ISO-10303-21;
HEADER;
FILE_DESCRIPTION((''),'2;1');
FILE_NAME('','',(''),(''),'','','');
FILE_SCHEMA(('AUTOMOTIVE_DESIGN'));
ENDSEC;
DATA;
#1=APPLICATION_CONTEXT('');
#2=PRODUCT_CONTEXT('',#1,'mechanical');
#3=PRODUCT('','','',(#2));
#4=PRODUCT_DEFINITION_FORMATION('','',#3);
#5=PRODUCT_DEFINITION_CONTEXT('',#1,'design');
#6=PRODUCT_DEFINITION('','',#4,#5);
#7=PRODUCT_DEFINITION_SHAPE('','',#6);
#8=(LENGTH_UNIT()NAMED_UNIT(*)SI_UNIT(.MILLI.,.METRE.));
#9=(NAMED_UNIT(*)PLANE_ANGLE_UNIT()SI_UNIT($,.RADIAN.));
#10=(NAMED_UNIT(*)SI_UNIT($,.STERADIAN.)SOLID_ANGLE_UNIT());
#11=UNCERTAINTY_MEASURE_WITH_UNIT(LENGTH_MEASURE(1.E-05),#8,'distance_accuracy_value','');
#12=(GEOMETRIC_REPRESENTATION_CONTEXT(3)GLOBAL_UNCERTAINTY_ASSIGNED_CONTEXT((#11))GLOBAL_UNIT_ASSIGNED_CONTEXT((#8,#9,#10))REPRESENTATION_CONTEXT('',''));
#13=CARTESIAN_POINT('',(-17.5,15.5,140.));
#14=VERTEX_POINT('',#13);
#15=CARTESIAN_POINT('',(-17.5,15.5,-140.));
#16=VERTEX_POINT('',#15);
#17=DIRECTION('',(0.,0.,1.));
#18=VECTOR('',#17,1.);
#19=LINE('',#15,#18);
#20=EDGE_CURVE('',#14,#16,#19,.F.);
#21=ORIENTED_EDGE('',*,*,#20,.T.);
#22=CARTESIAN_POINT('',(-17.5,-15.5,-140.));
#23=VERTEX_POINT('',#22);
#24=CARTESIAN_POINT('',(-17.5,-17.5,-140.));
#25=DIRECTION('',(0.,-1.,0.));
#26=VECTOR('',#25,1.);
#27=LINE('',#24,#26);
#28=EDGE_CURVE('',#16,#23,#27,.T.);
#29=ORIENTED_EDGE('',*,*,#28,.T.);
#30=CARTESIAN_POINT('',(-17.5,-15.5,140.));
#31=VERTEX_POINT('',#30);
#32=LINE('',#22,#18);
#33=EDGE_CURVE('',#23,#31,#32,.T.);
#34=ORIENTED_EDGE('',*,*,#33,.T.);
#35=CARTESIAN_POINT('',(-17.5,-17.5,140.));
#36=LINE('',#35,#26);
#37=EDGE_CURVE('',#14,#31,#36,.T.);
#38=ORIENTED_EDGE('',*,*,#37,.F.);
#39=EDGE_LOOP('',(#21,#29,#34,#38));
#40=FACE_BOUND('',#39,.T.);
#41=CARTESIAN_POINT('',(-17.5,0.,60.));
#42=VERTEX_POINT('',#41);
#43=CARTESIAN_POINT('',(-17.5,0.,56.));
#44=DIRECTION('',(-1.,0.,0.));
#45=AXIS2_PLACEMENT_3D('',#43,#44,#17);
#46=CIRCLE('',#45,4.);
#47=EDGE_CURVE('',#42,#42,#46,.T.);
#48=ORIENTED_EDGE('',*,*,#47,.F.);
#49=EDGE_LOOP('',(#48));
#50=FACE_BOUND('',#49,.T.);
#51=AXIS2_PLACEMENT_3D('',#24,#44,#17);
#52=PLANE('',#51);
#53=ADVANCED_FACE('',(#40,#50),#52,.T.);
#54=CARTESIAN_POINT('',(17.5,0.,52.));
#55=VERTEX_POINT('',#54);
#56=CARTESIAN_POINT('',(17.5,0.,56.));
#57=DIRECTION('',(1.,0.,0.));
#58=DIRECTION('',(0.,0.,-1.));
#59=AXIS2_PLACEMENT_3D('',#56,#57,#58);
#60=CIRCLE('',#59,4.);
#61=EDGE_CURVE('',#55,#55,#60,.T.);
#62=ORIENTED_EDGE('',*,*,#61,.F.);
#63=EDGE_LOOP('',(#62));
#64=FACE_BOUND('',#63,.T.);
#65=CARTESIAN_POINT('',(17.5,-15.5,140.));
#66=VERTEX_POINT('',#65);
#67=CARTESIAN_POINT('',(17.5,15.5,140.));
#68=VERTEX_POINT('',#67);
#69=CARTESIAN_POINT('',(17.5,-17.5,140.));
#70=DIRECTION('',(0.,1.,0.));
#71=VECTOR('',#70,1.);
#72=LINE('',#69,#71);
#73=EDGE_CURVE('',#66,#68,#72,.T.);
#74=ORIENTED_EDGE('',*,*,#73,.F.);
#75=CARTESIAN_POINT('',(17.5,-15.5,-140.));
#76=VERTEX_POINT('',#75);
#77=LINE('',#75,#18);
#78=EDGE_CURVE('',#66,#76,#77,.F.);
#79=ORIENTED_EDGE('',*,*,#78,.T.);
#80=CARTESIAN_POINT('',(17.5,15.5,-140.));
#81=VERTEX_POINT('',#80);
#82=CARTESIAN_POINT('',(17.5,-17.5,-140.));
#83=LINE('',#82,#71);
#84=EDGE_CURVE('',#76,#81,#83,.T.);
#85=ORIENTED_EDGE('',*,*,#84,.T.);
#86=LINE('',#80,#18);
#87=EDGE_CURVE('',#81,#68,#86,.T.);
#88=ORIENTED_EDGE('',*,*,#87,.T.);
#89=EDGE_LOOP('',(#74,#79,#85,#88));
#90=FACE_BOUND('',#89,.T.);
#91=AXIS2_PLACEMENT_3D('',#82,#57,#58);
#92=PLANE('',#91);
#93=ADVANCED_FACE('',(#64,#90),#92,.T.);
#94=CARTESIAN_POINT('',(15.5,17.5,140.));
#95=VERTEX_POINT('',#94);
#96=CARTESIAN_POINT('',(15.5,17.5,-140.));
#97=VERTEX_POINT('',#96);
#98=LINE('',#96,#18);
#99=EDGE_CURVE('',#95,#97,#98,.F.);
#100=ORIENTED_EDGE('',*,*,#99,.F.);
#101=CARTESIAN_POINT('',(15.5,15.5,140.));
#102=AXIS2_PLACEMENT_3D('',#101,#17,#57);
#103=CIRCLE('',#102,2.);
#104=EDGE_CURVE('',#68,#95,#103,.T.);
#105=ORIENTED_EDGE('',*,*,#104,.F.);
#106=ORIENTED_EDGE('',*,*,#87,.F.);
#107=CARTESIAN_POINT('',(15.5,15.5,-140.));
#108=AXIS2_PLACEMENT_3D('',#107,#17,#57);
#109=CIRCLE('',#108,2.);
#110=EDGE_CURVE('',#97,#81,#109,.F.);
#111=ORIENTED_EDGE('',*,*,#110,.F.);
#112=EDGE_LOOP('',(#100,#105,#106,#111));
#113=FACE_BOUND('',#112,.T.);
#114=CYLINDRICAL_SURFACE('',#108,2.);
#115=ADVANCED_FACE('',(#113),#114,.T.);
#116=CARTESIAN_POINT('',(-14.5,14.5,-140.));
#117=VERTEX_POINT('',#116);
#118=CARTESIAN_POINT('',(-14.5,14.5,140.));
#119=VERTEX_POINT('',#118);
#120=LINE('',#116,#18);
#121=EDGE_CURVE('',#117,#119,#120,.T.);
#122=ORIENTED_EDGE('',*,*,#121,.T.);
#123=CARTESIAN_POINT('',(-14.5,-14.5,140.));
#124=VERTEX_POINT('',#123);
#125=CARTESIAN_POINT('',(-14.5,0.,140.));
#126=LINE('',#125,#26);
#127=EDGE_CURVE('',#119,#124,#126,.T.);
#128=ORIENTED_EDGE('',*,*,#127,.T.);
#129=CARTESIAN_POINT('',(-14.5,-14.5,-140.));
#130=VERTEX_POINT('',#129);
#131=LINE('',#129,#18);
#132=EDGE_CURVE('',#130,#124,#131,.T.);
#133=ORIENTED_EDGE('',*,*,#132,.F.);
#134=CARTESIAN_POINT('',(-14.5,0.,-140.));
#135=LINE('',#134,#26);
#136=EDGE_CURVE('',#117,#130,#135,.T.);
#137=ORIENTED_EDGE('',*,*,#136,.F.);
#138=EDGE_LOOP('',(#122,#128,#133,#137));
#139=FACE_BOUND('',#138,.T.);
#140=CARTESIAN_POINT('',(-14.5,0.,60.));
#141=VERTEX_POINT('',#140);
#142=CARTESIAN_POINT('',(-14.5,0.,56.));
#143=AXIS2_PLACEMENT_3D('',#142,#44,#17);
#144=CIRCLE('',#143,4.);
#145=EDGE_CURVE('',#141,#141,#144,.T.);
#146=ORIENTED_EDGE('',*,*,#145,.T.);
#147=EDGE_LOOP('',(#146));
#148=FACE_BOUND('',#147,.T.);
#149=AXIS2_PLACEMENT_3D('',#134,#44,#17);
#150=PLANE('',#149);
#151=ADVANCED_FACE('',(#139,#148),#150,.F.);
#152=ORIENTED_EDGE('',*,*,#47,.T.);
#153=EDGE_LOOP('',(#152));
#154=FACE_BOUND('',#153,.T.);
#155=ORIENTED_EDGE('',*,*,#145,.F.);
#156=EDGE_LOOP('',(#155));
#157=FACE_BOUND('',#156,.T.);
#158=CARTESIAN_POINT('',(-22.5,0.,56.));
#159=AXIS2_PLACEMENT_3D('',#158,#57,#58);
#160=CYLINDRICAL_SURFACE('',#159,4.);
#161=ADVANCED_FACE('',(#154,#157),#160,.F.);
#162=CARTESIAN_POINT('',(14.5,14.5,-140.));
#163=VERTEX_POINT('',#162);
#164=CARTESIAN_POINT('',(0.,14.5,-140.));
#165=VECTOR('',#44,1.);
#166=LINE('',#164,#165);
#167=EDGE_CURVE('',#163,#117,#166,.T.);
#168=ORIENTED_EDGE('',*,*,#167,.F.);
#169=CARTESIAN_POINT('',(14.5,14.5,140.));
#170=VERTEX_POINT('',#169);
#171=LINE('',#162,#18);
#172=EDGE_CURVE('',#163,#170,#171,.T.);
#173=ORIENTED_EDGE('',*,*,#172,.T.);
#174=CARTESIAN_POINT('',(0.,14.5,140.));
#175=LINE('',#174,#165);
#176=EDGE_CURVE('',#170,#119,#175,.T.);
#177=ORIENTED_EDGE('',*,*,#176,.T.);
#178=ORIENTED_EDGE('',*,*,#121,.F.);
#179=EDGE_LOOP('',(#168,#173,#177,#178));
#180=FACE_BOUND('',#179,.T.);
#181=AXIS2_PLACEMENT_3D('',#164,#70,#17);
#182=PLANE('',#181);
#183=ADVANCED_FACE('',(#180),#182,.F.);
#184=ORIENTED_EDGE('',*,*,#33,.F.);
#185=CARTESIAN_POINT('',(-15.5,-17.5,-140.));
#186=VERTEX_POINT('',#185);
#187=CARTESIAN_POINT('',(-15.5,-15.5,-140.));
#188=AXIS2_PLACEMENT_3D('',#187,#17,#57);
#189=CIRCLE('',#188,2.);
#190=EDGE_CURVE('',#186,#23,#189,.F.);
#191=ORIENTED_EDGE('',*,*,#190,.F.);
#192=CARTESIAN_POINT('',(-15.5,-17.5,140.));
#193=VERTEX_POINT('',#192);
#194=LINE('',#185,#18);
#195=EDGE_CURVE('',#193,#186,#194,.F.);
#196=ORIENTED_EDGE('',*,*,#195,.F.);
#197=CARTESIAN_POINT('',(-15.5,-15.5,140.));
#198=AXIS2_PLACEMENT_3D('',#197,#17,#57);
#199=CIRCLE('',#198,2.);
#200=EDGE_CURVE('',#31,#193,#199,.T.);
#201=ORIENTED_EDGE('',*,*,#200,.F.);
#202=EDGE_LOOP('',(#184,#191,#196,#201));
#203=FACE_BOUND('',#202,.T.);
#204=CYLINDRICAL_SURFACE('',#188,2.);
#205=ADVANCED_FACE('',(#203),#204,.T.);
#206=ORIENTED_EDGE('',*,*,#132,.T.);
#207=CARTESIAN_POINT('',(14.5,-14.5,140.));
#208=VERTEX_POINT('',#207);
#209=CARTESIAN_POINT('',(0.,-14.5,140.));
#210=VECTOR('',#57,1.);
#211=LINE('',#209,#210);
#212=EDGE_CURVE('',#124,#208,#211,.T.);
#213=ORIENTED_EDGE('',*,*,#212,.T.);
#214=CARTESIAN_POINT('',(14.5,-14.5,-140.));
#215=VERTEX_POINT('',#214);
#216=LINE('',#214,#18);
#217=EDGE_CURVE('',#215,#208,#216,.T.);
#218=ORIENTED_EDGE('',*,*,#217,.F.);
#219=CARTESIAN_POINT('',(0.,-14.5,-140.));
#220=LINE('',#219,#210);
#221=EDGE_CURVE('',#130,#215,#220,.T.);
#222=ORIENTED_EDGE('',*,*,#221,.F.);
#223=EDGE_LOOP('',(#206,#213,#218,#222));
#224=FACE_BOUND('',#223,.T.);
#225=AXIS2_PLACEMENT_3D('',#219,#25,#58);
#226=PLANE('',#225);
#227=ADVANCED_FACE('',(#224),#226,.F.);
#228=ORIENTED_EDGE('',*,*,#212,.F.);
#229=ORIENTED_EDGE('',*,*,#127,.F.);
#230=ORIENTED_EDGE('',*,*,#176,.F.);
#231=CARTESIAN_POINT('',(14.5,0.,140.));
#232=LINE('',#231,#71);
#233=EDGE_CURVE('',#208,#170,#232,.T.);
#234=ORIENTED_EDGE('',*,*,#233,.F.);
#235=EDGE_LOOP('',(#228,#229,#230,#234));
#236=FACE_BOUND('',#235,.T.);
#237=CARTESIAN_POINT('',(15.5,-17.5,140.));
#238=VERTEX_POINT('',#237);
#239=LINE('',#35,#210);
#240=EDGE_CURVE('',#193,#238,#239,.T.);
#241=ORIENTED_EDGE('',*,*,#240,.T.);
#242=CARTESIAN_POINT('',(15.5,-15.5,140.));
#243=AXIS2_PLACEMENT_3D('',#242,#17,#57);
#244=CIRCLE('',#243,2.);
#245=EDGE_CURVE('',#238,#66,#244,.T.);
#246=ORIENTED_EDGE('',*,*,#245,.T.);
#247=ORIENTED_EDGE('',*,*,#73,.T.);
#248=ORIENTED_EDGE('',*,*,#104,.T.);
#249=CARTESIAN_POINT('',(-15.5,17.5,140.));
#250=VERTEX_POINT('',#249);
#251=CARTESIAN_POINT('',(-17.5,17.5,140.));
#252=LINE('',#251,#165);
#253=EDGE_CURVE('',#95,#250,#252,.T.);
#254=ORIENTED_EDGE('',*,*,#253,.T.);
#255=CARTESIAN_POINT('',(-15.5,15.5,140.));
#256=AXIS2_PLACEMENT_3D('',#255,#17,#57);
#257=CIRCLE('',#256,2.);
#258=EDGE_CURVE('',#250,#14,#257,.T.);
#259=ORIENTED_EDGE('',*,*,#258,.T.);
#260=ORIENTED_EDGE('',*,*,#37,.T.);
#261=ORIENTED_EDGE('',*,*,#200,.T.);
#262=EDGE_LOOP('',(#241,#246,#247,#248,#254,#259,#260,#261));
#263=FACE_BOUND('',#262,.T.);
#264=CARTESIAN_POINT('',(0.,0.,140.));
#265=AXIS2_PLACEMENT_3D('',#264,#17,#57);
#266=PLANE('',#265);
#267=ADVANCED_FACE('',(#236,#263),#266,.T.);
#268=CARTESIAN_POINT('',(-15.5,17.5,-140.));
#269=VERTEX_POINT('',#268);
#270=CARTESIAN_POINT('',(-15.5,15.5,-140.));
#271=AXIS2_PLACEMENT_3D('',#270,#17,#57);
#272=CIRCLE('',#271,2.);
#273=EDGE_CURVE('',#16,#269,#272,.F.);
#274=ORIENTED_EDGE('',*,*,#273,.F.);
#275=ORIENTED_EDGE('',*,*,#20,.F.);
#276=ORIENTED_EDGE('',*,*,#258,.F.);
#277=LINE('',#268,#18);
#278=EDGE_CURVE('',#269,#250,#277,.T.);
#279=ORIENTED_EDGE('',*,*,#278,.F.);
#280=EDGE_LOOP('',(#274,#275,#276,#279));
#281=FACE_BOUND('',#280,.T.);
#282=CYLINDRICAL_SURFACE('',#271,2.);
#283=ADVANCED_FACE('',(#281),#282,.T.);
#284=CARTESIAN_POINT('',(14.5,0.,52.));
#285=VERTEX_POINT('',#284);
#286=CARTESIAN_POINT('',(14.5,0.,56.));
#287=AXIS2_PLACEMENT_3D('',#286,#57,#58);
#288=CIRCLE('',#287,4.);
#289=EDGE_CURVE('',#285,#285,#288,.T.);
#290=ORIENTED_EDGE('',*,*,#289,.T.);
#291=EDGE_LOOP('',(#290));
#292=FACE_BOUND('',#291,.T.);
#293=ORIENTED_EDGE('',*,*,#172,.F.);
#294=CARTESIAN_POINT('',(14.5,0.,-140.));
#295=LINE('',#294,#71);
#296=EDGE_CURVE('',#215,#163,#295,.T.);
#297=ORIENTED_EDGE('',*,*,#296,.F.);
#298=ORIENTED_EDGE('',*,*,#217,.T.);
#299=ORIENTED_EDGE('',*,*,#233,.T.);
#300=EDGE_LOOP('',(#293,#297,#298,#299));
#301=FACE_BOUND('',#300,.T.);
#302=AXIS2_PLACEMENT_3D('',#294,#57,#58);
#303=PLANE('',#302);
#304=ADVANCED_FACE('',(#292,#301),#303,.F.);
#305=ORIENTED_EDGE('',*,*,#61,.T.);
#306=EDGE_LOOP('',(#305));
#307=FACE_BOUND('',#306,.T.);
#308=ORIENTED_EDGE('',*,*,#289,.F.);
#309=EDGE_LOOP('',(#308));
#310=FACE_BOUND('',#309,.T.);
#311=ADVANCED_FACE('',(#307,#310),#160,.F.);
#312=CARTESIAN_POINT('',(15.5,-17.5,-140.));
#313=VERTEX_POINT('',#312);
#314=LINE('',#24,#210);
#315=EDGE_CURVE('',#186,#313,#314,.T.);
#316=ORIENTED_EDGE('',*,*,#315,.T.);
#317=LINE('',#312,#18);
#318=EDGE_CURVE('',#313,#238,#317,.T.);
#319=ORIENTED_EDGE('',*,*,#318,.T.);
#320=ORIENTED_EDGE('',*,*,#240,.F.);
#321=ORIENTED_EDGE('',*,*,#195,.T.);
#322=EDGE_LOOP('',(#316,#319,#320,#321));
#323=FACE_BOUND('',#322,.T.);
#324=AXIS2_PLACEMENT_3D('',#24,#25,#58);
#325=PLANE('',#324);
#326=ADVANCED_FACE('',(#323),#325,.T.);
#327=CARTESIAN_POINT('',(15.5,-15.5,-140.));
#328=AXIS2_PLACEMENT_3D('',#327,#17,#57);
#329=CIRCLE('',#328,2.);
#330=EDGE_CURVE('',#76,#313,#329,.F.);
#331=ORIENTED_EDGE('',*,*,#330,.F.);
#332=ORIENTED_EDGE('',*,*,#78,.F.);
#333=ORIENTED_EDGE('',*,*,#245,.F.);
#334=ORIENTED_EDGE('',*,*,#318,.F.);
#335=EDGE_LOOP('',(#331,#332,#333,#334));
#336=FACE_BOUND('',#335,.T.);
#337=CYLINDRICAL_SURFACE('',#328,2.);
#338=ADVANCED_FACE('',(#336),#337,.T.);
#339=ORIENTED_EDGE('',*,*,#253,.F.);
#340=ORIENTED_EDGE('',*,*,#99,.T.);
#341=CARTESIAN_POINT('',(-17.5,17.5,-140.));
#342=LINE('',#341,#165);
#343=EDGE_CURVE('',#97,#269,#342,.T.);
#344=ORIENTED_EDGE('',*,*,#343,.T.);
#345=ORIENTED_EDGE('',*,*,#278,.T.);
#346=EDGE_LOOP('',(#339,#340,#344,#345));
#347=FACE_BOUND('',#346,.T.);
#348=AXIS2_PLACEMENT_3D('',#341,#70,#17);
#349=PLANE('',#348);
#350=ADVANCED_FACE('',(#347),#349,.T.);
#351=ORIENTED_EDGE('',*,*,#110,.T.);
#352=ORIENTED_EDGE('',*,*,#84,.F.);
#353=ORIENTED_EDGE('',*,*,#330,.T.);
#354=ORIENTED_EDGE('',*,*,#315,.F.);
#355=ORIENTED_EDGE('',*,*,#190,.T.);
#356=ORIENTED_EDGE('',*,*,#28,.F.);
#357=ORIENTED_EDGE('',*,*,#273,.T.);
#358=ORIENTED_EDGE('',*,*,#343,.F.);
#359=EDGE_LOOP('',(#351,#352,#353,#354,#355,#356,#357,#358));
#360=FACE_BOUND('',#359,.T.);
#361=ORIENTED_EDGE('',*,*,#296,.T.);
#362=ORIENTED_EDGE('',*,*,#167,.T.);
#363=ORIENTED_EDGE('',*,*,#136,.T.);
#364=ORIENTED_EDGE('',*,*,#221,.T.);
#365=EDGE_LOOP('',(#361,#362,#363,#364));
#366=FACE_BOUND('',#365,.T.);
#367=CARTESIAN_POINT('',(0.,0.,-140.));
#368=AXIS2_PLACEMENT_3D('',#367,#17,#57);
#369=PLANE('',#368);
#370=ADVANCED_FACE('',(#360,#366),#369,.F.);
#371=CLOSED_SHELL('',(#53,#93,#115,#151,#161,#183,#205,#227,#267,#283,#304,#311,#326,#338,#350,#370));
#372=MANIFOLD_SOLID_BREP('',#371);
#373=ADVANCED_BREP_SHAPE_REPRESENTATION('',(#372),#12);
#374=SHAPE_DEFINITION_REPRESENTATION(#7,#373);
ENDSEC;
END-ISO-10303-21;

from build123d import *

# Parameters (mm, degrees)
EXTRUDE_THIN1_DEPTH      = 140
EXTRUDE_THIN1_DEPTH_BACK = 140
SKETCH1_W                = 35
SKETCH1_H                = 35
SKETCH1_W_2              = 29
SKETCH1_H_2              = 29
FILLET1_R                = 2
SKETCH2_R                = 4
CUT_EXTRUDE1_DEPTH       = 40


with BuildPart() as part:
    # Sketch1 → Extrude-Thin1 (new, two sides: drawn at the far end of the back side and taken through both)
    with BuildSketch(Plane.XY.offset(-EXTRUDE_THIN1_DEPTH_BACK)):
        Rectangle(SKETCH1_W, SKETCH1_H)
        Rectangle(SKETCH1_W_2, SKETCH1_H_2, mode=Mode.SUBTRACT)
    extrude(amount=EXTRUDE_THIN1_DEPTH + EXTRUDE_THIN1_DEPTH_BACK)

    # Fillet1
    fillet1_edges = [part.edges().sort_by_distance(p)[0] for p in [
        (17.5, -17.5, 0),
        (-17.5, -17.5, 0),
        (-17.5, 17.5, 0),
        (17.5, 17.5, 0),
    ]]
    fillet(fillet1_edges, radius=FILLET1_R)

    # Sketch2 → Cut-Extrude1 (cut)
    with BuildSketch(Plane(origin=(17.5, 0, 0), x_dir=(0, 0, -1), z_dir=(1, 0, 0))):
        with Locations(Location((-56, 0, 0), (0, 0, 180))):
            Circle(SKETCH2_R)
    extrude(amount=-CUT_EXTRUDE1_DEPTH, mode=Mode.SUBTRACT)


solid = part.part
